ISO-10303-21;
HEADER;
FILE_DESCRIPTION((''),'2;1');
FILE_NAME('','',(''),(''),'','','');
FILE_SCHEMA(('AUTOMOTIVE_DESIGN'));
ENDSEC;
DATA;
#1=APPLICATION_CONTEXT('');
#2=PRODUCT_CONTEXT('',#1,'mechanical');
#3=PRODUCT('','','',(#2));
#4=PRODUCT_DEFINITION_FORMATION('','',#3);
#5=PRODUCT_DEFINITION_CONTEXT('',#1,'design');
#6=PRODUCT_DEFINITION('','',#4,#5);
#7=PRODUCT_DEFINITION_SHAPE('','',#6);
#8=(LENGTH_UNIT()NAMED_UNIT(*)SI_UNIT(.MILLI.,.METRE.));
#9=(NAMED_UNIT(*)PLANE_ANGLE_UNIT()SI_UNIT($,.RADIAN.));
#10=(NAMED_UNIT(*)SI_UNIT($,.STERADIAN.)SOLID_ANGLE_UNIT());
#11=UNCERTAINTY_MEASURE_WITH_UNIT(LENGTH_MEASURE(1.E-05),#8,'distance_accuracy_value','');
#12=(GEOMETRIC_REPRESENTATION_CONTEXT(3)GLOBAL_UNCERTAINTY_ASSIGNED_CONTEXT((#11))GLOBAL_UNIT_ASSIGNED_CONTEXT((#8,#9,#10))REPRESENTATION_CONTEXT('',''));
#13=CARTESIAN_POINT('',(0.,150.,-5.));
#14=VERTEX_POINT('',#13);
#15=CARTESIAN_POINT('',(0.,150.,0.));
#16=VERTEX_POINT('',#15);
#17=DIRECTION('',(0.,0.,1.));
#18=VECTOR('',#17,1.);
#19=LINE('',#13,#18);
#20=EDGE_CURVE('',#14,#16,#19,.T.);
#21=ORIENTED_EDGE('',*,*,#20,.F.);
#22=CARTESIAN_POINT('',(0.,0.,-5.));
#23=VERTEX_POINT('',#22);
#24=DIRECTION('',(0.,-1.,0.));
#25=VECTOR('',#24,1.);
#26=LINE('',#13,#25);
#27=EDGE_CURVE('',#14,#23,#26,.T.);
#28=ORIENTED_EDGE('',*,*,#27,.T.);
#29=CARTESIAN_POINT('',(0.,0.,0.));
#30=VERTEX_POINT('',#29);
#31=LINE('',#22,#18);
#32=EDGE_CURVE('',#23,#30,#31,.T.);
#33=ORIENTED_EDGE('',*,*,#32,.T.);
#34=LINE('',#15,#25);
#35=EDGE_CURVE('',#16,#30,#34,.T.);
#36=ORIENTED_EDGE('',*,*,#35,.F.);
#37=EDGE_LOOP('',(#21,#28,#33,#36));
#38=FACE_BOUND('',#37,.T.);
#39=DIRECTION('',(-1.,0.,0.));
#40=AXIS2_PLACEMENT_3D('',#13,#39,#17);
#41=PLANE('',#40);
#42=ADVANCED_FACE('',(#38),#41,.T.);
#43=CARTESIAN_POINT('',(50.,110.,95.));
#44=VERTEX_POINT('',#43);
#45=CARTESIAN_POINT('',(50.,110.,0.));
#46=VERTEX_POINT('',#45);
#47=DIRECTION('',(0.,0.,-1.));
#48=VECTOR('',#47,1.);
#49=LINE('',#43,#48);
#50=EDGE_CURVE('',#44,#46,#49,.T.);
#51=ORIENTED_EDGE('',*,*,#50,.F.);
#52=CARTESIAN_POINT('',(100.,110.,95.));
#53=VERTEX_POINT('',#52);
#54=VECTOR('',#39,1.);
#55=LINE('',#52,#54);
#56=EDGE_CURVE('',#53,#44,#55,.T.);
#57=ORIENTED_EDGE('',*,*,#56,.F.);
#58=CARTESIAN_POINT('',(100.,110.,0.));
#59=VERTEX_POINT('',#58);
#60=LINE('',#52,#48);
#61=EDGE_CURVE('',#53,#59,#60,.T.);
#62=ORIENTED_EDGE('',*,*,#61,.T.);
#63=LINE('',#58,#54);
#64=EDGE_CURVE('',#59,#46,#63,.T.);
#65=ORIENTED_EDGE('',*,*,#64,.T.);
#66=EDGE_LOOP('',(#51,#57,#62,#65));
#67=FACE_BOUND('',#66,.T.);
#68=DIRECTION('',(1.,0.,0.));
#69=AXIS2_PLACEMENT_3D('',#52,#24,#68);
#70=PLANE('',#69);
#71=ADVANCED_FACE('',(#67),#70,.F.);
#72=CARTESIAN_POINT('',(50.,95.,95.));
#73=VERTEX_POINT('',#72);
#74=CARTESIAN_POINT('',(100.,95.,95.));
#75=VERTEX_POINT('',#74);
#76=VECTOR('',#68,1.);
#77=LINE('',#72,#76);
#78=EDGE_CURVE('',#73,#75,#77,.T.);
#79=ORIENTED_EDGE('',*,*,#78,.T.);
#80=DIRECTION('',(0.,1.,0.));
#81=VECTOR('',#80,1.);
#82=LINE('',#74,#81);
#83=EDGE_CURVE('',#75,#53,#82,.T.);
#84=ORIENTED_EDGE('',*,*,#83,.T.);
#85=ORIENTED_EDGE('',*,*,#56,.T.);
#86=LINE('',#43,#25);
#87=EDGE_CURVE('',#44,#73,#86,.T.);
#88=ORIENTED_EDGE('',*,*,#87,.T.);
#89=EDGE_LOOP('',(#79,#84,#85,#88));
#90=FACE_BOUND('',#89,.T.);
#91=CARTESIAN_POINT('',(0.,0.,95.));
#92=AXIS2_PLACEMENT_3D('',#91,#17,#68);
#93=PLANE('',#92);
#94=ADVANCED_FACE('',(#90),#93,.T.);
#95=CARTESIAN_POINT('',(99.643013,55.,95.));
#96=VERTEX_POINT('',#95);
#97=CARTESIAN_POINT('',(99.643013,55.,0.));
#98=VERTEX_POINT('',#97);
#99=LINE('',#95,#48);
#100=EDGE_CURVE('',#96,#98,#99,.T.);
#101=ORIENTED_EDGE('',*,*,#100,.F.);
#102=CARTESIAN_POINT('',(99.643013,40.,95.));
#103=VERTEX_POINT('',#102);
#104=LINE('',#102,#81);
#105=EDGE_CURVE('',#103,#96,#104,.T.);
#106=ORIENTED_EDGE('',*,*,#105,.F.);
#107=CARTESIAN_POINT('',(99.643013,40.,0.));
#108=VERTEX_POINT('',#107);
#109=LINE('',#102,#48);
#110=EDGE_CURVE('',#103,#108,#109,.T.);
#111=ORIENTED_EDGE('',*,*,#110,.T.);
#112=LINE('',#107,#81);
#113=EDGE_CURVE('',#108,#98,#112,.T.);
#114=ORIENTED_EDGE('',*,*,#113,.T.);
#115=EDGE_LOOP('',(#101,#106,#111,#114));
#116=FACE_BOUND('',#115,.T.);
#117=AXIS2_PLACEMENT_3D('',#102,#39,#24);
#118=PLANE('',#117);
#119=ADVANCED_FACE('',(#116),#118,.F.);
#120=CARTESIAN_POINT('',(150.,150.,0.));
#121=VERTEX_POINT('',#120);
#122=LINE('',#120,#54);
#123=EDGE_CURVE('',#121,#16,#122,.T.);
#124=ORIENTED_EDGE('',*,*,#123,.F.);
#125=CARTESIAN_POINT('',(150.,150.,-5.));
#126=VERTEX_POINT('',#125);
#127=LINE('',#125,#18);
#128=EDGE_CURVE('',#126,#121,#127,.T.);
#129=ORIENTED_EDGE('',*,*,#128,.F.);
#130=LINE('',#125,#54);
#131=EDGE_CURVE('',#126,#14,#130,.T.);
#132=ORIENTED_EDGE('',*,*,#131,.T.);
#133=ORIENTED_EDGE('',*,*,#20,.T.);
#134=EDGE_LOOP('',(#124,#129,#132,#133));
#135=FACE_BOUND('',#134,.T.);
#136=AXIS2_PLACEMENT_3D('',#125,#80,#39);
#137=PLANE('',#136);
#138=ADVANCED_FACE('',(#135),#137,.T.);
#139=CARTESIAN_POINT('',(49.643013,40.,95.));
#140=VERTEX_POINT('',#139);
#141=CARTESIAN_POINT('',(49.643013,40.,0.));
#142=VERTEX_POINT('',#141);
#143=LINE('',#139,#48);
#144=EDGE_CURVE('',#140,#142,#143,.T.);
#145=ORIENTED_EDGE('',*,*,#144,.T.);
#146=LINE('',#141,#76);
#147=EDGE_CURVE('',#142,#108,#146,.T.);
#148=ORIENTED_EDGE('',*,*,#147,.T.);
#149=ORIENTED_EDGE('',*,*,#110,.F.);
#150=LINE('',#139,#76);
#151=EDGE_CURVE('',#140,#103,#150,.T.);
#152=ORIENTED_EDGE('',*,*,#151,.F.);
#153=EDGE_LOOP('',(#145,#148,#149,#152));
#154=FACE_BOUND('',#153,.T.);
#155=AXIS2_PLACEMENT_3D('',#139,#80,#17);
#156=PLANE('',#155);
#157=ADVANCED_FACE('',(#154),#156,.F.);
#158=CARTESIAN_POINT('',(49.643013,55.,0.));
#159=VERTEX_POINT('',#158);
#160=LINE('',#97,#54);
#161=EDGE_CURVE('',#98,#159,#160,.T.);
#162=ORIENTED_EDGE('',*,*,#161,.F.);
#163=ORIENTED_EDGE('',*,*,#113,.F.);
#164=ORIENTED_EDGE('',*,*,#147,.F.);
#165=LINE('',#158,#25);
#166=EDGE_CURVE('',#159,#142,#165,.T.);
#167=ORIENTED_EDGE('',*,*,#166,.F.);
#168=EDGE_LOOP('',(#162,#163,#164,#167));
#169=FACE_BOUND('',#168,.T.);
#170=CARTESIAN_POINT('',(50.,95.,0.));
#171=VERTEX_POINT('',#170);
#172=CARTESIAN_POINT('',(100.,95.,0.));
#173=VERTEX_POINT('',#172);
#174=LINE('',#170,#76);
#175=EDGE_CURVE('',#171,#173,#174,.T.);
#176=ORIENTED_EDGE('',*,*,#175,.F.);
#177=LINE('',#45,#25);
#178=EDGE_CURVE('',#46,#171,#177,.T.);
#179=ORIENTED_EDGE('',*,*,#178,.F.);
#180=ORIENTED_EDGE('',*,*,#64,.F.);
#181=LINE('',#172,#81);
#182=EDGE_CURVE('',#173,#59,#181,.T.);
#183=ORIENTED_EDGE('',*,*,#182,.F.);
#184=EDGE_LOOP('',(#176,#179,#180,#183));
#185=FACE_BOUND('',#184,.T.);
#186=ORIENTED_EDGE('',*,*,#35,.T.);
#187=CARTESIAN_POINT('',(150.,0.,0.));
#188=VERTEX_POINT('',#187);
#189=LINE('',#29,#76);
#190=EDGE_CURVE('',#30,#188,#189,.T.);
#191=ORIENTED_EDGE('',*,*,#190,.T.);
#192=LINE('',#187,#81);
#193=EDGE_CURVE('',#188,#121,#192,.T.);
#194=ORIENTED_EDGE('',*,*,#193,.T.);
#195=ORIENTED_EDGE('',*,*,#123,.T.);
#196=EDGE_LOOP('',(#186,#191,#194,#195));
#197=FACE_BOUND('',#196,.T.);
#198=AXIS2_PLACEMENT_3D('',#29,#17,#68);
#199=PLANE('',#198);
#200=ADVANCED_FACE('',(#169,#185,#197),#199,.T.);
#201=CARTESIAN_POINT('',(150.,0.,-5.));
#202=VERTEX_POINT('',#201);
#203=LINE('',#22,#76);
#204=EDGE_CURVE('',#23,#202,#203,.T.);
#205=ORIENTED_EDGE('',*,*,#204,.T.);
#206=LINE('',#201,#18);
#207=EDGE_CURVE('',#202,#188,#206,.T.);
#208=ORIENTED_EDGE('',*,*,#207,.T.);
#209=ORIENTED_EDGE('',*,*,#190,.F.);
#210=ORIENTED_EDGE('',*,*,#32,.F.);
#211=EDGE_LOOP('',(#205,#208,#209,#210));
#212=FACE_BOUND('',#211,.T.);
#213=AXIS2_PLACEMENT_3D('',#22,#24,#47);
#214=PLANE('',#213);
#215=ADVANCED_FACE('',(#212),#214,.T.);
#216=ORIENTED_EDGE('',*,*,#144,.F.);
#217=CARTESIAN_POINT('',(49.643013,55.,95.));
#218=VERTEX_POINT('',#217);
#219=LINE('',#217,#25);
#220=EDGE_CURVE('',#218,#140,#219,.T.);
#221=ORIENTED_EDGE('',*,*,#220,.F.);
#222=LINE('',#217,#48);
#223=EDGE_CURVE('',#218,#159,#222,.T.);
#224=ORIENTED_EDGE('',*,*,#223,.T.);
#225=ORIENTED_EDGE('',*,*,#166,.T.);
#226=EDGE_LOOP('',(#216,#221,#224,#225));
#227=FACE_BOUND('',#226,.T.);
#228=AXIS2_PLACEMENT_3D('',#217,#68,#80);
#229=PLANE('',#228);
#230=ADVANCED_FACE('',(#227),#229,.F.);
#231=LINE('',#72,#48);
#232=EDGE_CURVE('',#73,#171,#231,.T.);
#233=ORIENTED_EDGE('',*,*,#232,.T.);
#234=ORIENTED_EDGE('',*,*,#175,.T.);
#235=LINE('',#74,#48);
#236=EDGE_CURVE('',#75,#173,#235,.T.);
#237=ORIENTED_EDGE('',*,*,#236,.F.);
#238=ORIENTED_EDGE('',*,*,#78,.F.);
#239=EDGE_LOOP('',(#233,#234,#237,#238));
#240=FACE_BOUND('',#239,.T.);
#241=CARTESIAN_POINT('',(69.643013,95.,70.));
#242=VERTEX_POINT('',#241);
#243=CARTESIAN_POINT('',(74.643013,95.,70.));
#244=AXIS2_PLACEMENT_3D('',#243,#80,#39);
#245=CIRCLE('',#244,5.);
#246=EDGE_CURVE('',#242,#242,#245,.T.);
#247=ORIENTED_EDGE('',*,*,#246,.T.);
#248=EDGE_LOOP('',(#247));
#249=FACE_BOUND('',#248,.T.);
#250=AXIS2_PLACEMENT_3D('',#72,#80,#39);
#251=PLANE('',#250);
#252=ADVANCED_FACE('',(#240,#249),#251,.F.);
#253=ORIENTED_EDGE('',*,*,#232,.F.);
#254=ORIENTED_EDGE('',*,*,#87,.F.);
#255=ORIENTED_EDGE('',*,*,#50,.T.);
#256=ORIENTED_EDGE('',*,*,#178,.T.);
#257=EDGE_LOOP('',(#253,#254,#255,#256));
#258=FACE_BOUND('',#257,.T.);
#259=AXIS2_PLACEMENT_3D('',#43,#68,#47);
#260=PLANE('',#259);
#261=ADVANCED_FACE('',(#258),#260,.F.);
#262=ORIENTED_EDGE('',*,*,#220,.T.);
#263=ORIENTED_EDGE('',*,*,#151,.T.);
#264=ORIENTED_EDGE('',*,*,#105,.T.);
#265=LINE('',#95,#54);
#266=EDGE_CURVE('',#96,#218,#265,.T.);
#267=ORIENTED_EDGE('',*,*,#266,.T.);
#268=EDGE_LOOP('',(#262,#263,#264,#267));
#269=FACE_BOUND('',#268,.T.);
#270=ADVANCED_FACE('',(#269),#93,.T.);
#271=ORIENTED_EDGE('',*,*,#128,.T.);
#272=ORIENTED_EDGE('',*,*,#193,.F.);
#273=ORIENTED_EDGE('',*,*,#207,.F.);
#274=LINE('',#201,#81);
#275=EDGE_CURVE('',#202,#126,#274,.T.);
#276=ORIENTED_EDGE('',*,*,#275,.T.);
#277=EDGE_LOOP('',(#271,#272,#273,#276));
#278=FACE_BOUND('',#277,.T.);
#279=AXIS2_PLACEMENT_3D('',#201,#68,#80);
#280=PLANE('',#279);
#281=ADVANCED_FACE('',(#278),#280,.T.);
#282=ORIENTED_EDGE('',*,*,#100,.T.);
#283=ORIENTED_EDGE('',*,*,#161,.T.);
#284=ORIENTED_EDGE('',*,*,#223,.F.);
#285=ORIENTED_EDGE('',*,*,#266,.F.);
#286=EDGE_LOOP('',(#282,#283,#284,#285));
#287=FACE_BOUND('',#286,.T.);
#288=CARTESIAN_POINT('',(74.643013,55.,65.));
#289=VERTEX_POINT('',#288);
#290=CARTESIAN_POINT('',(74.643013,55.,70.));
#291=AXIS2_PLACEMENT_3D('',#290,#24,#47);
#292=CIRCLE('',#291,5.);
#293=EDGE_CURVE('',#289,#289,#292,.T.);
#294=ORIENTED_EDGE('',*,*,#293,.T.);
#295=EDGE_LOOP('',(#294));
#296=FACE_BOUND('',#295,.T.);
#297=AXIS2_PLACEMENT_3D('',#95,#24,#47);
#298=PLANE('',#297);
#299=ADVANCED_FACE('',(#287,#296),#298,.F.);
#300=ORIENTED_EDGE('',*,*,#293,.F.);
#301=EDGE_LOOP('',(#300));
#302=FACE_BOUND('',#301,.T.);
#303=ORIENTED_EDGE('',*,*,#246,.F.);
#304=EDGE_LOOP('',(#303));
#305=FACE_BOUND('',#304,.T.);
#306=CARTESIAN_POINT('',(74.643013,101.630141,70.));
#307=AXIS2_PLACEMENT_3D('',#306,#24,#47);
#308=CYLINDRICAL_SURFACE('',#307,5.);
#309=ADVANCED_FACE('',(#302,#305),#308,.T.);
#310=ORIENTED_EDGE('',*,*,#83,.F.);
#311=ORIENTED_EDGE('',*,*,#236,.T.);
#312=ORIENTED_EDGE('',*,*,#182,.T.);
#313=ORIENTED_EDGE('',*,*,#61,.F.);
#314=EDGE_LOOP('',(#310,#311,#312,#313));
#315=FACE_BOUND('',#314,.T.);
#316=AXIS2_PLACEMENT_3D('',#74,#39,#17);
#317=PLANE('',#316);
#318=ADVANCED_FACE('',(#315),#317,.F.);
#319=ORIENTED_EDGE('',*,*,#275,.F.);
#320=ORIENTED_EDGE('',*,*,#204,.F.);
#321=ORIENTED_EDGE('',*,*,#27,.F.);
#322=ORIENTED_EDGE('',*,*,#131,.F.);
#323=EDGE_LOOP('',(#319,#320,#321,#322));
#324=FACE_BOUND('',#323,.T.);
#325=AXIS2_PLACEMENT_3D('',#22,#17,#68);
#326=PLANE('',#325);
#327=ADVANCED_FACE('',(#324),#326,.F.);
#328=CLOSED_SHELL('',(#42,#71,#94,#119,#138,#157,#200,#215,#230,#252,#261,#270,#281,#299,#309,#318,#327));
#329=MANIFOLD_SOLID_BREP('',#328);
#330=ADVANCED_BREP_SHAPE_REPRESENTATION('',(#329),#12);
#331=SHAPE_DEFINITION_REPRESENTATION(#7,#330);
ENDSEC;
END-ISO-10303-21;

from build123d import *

# Parameters (mm, degrees)
SCHIZZO2_W                   = 150
SCHIZZO2_H                   = 150
ESTRUSIONE_ESTRUSIONE1_DEPTH = 5
SCHIZZO3_W                   = 50
SCHIZZO3_H                   = 15
ESTRUSIONE_ESTRUSIONE2_DEPTH = 95
SCHIZZO6_R                   = 5
ESTRUSIONE_ESTRUSIONE3_DEPTH = 61.630141236


with BuildPart() as part:
    # Schizzo2 → Estrusione-Estrusione1 (new body)
    with BuildSketch(Plane.XY):
        with Locations((75, 75)):
            Rectangle(SCHIZZO2_W, SCHIZZO2_H)
    extrude(amount=-ESTRUSIONE_ESTRUSIONE1_DEPTH)

    # Schizzo3 → Estrusione-Estrusione2 (add)
    with BuildSketch(Plane.XY):
        with Locations((74.643012927, 47.5)):
            Rectangle(SCHIZZO3_W, SCHIZZO3_H)
        with Locations((75, 102.5)):
            Rectangle(SCHIZZO3_W, SCHIZZO3_H)
    extrude(amount=ESTRUSIONE_ESTRUSIONE2_DEPTH)

    # Schizzo6 → Estrusione-Estrusione3 (add)
    with BuildSketch(Plane.XZ.offset(-40)):
        with Locations(Location((74.643012927, 70, 0), (0, 0, 270))):
            Circle(SCHIZZO6_R)
    extrude(amount=-ESTRUSIONE_ESTRUSIONE3_DEPTH)


solid = part.part
